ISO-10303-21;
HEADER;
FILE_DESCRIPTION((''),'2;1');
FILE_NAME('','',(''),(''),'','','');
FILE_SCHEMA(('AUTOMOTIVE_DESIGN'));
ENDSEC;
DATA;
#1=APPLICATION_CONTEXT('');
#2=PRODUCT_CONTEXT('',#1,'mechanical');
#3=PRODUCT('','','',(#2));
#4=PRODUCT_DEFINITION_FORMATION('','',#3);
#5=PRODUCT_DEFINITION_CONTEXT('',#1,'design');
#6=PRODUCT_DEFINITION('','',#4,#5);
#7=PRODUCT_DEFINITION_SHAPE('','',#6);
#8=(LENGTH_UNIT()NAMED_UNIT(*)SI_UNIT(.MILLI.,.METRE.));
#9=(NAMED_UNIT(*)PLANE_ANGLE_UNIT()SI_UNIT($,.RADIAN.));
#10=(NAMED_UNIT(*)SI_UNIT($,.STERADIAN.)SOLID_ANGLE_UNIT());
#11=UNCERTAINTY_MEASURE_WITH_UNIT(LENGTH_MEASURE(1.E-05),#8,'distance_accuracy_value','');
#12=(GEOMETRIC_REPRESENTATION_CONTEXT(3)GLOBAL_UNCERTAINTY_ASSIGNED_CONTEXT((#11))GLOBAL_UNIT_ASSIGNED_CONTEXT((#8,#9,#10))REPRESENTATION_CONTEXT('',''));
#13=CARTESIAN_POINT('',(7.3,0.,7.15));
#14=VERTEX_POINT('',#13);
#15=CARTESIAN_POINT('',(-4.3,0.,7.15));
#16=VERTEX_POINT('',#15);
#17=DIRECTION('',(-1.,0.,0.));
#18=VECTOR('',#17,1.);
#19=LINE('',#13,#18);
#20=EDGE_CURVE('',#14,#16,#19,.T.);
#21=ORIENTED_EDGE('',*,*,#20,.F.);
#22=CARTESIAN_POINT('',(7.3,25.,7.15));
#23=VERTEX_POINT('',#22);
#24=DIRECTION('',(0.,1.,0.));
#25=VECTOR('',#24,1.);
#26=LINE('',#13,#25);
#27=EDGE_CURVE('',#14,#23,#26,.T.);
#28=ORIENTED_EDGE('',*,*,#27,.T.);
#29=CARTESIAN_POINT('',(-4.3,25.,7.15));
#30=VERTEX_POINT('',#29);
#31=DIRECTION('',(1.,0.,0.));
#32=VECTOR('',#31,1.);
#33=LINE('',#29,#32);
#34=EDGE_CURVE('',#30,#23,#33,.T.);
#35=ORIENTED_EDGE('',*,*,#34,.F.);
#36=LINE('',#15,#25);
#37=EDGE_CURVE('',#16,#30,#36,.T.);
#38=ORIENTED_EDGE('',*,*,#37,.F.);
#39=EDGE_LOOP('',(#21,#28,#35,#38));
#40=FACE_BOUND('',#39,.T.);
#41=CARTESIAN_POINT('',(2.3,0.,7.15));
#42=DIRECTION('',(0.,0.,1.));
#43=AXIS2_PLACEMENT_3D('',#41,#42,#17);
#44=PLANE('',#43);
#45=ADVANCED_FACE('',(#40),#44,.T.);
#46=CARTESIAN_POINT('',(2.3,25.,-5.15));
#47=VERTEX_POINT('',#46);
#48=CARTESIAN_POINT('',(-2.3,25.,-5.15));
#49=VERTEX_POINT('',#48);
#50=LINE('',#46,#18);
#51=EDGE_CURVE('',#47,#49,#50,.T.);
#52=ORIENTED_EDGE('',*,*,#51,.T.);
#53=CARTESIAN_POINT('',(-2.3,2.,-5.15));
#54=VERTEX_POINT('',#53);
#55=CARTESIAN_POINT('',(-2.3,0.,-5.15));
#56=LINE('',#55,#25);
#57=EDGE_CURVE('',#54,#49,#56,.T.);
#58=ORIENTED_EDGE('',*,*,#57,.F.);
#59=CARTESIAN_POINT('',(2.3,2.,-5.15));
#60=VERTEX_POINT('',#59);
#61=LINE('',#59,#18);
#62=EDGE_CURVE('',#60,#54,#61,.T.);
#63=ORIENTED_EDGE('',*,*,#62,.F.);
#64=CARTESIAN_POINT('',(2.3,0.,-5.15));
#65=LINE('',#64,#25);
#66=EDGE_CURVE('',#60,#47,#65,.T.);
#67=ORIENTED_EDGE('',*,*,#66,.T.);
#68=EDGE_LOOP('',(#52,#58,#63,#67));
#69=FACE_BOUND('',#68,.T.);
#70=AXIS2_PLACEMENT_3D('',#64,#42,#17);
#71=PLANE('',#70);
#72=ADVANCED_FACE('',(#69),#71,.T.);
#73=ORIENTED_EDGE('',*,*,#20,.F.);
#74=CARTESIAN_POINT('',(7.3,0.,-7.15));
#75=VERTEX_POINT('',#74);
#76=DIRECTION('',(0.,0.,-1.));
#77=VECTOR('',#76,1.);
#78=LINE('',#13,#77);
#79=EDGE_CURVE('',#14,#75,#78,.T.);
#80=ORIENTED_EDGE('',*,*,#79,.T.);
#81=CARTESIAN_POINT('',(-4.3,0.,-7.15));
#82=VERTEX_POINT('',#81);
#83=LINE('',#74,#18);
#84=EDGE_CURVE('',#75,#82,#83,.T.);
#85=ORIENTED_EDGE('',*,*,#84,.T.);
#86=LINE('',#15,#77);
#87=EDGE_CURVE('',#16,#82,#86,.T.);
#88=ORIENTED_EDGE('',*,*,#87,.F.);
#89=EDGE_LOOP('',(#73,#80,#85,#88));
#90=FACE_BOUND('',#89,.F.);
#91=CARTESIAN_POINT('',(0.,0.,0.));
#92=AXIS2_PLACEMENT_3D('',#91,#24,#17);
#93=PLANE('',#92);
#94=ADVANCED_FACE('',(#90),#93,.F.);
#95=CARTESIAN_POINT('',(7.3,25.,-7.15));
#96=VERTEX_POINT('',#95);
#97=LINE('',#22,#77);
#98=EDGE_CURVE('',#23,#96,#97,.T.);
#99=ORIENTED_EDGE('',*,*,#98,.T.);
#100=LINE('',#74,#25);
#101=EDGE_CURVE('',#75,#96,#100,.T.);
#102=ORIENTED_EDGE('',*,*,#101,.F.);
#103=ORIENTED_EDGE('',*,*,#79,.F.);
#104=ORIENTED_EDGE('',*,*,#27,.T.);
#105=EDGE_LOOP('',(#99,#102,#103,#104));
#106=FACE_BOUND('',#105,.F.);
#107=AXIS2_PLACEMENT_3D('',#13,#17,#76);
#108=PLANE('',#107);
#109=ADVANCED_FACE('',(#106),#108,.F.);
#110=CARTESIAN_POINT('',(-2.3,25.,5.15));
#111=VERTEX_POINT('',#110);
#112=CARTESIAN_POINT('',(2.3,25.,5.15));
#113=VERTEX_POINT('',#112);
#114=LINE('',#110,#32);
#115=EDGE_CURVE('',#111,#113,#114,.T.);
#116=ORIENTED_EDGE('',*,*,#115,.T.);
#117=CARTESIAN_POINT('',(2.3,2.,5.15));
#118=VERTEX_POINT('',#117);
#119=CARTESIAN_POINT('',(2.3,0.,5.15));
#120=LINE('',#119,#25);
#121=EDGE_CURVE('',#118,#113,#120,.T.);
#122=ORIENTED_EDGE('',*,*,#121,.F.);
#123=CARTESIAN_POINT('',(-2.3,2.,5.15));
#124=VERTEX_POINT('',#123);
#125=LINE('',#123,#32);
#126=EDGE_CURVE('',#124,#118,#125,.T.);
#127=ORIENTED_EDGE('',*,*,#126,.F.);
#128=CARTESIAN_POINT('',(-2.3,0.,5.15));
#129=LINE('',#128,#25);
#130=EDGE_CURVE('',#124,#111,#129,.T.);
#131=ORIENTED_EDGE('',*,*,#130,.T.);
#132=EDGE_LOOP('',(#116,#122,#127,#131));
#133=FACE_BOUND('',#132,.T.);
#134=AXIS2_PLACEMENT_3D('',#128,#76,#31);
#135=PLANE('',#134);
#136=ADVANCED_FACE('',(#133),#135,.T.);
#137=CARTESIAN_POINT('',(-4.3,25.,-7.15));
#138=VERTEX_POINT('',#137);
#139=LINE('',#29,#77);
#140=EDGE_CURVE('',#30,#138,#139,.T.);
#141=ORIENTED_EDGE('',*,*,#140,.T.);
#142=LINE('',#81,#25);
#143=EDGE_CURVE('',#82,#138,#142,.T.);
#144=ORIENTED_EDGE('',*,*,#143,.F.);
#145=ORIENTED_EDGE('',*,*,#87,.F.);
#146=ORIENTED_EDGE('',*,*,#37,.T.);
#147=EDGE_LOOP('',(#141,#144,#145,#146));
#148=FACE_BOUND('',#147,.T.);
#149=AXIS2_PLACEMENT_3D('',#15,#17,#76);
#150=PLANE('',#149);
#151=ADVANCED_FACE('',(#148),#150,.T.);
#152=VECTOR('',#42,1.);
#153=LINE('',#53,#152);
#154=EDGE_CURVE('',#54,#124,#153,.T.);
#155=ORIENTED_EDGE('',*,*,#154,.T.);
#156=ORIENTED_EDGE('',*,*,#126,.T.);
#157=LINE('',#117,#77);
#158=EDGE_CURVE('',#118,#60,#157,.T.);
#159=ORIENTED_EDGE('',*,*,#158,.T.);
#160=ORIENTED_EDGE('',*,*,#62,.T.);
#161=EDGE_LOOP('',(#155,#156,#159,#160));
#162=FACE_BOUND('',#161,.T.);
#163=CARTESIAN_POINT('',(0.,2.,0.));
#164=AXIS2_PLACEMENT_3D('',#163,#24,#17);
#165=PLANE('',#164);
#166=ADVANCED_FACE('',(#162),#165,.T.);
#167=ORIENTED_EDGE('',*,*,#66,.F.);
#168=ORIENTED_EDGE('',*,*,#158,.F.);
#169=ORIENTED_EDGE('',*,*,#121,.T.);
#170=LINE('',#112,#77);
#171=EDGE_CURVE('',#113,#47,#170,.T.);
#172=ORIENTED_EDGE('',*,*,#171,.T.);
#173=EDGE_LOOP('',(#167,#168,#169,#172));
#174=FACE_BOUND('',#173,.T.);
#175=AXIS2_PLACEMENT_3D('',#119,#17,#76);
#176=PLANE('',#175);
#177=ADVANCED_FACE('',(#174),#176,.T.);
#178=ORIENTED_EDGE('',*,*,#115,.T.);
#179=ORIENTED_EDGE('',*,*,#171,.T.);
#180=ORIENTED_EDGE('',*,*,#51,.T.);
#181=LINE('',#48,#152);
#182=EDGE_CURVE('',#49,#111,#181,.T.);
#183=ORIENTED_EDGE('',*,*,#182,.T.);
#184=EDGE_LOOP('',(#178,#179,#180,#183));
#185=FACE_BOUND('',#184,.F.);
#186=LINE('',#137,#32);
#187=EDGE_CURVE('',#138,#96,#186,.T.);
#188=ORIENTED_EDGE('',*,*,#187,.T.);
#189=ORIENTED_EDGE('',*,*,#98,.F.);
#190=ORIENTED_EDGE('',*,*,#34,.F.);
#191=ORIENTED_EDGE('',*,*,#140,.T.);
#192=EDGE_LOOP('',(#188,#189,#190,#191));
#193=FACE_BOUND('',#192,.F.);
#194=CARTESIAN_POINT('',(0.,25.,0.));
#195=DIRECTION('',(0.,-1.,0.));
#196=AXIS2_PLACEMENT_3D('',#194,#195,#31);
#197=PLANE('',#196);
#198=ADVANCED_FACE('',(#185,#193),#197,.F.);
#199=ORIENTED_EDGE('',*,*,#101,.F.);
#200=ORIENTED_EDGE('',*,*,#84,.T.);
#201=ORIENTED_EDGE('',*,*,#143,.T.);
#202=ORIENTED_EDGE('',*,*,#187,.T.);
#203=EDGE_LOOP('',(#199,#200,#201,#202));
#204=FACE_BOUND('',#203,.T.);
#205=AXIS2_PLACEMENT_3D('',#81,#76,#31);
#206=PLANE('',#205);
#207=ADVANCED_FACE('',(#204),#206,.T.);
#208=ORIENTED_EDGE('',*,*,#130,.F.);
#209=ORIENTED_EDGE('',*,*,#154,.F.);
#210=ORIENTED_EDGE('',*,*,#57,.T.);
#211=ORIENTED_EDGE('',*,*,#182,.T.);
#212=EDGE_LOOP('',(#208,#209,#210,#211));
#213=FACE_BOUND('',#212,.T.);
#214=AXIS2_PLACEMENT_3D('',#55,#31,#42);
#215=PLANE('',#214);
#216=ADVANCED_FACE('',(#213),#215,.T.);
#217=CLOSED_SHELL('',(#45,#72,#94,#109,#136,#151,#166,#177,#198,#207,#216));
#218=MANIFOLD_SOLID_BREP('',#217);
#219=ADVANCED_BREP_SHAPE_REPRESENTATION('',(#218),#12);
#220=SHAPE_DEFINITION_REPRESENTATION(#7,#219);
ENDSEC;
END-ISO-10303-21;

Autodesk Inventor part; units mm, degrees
ref_plane "YZ Plane" through (0, 0, 0) normal (1, 0, 0) x (0, 1, 0)
ref_plane "XZ Plane" through (0, 0, 0) normal (0, 1, 0) x (-1, 0, 0)
ref_plane "XY Plane" through (0, 0, 0) normal (0, 0, 1) x (1, 0, 0)
sketch "Boceto1" plane through (0, 0, 0) normal (0, 1, 0) x (-1, 0, 0)
  line L0 (2.3, 5.15) -> (-2.3, 5.15)
  line L1 (-2.3, 5.15) -> (-2.3, -5.15)
  line L2 (-2.3, -5.15) -> (2.3, -5.15)
  line L3 (2.3, -5.15) -> (2.3, 5.15)
  line L4 (2.3, 5.15) -> (-2.3, -5.15) construction
  line L5 (-2.3, 5.15) -> (2.3, -5.15) construction
  line L6 (4.3, 7.15) -> (-4.3, 7.15)
  line L7 (-4.3, 7.15) -> (-4.3, -7.15)
  line L8 (-4.3, -7.15) -> (4.3, -7.15)
  line L9 (4.3, -7.15) -> (4.3, 7.15)
  point P0 (0, 0)
  dimension "d0" = 10.3
  dimension "d1" = 4.6
  dimension "d2" = 2
extrude "Extrusión1" add sketch "Boceto1" along normal blind 2 contours L3 L2 L1 L0
sketch "Boceto3" plane through (0, 0, 0) normal (0, -1, 0) x (1, 0, 0)
  line L0 (2.3, -5.15) -> (-2.3, -5.15) projected
  line L1 (-2.3, 5.15) -> (2.3, 5.15)
  line L2 (2.3, 5.15) -> (2.3, -5.15)
  line L3 (2.3, -5.15) -> (-2.3, -5.15)
  line L4 (-2.3, -5.15) -> (-2.3, 5.15)
  line L5 (-2.3, 5.15) -> (2.3, -5.15) construction
  line L6 (2.3, 5.15) -> (-2.3, -5.15) construction
  line L7 (4.3, -7.15) -> (4.3, 7.15)
  line L8 (4.3, 7.15) -> (-4.3, 7.15)
  line L9 (-4.3, 7.15) -> (-4.3, -7.15)
  line L10 (-4.3, -7.15) -> (4.3, -7.15)
  line L11 (2.3, 7.15) -> (7.3, 7.15)
  line L12 (7.3, 7.15) -> (7.3, -7.15)
  line L13 (7.3, -7.15) -> (2.3, -7.15)
  line L14 (2.3, -7.15) -> (2.3, 7.15)
  point P0 (0, 0)
  dimension "d5" = 2
  dimension "d6" = 5
extrude "Extrusión2" add sketch "Boceto3" against normal blind 25 contours L14 L10 L9 L8 L1 L4 L0 | L2 L14 L8 L7 L10 | L7 L11 L12 L13
properties part number "front-camera-support"
